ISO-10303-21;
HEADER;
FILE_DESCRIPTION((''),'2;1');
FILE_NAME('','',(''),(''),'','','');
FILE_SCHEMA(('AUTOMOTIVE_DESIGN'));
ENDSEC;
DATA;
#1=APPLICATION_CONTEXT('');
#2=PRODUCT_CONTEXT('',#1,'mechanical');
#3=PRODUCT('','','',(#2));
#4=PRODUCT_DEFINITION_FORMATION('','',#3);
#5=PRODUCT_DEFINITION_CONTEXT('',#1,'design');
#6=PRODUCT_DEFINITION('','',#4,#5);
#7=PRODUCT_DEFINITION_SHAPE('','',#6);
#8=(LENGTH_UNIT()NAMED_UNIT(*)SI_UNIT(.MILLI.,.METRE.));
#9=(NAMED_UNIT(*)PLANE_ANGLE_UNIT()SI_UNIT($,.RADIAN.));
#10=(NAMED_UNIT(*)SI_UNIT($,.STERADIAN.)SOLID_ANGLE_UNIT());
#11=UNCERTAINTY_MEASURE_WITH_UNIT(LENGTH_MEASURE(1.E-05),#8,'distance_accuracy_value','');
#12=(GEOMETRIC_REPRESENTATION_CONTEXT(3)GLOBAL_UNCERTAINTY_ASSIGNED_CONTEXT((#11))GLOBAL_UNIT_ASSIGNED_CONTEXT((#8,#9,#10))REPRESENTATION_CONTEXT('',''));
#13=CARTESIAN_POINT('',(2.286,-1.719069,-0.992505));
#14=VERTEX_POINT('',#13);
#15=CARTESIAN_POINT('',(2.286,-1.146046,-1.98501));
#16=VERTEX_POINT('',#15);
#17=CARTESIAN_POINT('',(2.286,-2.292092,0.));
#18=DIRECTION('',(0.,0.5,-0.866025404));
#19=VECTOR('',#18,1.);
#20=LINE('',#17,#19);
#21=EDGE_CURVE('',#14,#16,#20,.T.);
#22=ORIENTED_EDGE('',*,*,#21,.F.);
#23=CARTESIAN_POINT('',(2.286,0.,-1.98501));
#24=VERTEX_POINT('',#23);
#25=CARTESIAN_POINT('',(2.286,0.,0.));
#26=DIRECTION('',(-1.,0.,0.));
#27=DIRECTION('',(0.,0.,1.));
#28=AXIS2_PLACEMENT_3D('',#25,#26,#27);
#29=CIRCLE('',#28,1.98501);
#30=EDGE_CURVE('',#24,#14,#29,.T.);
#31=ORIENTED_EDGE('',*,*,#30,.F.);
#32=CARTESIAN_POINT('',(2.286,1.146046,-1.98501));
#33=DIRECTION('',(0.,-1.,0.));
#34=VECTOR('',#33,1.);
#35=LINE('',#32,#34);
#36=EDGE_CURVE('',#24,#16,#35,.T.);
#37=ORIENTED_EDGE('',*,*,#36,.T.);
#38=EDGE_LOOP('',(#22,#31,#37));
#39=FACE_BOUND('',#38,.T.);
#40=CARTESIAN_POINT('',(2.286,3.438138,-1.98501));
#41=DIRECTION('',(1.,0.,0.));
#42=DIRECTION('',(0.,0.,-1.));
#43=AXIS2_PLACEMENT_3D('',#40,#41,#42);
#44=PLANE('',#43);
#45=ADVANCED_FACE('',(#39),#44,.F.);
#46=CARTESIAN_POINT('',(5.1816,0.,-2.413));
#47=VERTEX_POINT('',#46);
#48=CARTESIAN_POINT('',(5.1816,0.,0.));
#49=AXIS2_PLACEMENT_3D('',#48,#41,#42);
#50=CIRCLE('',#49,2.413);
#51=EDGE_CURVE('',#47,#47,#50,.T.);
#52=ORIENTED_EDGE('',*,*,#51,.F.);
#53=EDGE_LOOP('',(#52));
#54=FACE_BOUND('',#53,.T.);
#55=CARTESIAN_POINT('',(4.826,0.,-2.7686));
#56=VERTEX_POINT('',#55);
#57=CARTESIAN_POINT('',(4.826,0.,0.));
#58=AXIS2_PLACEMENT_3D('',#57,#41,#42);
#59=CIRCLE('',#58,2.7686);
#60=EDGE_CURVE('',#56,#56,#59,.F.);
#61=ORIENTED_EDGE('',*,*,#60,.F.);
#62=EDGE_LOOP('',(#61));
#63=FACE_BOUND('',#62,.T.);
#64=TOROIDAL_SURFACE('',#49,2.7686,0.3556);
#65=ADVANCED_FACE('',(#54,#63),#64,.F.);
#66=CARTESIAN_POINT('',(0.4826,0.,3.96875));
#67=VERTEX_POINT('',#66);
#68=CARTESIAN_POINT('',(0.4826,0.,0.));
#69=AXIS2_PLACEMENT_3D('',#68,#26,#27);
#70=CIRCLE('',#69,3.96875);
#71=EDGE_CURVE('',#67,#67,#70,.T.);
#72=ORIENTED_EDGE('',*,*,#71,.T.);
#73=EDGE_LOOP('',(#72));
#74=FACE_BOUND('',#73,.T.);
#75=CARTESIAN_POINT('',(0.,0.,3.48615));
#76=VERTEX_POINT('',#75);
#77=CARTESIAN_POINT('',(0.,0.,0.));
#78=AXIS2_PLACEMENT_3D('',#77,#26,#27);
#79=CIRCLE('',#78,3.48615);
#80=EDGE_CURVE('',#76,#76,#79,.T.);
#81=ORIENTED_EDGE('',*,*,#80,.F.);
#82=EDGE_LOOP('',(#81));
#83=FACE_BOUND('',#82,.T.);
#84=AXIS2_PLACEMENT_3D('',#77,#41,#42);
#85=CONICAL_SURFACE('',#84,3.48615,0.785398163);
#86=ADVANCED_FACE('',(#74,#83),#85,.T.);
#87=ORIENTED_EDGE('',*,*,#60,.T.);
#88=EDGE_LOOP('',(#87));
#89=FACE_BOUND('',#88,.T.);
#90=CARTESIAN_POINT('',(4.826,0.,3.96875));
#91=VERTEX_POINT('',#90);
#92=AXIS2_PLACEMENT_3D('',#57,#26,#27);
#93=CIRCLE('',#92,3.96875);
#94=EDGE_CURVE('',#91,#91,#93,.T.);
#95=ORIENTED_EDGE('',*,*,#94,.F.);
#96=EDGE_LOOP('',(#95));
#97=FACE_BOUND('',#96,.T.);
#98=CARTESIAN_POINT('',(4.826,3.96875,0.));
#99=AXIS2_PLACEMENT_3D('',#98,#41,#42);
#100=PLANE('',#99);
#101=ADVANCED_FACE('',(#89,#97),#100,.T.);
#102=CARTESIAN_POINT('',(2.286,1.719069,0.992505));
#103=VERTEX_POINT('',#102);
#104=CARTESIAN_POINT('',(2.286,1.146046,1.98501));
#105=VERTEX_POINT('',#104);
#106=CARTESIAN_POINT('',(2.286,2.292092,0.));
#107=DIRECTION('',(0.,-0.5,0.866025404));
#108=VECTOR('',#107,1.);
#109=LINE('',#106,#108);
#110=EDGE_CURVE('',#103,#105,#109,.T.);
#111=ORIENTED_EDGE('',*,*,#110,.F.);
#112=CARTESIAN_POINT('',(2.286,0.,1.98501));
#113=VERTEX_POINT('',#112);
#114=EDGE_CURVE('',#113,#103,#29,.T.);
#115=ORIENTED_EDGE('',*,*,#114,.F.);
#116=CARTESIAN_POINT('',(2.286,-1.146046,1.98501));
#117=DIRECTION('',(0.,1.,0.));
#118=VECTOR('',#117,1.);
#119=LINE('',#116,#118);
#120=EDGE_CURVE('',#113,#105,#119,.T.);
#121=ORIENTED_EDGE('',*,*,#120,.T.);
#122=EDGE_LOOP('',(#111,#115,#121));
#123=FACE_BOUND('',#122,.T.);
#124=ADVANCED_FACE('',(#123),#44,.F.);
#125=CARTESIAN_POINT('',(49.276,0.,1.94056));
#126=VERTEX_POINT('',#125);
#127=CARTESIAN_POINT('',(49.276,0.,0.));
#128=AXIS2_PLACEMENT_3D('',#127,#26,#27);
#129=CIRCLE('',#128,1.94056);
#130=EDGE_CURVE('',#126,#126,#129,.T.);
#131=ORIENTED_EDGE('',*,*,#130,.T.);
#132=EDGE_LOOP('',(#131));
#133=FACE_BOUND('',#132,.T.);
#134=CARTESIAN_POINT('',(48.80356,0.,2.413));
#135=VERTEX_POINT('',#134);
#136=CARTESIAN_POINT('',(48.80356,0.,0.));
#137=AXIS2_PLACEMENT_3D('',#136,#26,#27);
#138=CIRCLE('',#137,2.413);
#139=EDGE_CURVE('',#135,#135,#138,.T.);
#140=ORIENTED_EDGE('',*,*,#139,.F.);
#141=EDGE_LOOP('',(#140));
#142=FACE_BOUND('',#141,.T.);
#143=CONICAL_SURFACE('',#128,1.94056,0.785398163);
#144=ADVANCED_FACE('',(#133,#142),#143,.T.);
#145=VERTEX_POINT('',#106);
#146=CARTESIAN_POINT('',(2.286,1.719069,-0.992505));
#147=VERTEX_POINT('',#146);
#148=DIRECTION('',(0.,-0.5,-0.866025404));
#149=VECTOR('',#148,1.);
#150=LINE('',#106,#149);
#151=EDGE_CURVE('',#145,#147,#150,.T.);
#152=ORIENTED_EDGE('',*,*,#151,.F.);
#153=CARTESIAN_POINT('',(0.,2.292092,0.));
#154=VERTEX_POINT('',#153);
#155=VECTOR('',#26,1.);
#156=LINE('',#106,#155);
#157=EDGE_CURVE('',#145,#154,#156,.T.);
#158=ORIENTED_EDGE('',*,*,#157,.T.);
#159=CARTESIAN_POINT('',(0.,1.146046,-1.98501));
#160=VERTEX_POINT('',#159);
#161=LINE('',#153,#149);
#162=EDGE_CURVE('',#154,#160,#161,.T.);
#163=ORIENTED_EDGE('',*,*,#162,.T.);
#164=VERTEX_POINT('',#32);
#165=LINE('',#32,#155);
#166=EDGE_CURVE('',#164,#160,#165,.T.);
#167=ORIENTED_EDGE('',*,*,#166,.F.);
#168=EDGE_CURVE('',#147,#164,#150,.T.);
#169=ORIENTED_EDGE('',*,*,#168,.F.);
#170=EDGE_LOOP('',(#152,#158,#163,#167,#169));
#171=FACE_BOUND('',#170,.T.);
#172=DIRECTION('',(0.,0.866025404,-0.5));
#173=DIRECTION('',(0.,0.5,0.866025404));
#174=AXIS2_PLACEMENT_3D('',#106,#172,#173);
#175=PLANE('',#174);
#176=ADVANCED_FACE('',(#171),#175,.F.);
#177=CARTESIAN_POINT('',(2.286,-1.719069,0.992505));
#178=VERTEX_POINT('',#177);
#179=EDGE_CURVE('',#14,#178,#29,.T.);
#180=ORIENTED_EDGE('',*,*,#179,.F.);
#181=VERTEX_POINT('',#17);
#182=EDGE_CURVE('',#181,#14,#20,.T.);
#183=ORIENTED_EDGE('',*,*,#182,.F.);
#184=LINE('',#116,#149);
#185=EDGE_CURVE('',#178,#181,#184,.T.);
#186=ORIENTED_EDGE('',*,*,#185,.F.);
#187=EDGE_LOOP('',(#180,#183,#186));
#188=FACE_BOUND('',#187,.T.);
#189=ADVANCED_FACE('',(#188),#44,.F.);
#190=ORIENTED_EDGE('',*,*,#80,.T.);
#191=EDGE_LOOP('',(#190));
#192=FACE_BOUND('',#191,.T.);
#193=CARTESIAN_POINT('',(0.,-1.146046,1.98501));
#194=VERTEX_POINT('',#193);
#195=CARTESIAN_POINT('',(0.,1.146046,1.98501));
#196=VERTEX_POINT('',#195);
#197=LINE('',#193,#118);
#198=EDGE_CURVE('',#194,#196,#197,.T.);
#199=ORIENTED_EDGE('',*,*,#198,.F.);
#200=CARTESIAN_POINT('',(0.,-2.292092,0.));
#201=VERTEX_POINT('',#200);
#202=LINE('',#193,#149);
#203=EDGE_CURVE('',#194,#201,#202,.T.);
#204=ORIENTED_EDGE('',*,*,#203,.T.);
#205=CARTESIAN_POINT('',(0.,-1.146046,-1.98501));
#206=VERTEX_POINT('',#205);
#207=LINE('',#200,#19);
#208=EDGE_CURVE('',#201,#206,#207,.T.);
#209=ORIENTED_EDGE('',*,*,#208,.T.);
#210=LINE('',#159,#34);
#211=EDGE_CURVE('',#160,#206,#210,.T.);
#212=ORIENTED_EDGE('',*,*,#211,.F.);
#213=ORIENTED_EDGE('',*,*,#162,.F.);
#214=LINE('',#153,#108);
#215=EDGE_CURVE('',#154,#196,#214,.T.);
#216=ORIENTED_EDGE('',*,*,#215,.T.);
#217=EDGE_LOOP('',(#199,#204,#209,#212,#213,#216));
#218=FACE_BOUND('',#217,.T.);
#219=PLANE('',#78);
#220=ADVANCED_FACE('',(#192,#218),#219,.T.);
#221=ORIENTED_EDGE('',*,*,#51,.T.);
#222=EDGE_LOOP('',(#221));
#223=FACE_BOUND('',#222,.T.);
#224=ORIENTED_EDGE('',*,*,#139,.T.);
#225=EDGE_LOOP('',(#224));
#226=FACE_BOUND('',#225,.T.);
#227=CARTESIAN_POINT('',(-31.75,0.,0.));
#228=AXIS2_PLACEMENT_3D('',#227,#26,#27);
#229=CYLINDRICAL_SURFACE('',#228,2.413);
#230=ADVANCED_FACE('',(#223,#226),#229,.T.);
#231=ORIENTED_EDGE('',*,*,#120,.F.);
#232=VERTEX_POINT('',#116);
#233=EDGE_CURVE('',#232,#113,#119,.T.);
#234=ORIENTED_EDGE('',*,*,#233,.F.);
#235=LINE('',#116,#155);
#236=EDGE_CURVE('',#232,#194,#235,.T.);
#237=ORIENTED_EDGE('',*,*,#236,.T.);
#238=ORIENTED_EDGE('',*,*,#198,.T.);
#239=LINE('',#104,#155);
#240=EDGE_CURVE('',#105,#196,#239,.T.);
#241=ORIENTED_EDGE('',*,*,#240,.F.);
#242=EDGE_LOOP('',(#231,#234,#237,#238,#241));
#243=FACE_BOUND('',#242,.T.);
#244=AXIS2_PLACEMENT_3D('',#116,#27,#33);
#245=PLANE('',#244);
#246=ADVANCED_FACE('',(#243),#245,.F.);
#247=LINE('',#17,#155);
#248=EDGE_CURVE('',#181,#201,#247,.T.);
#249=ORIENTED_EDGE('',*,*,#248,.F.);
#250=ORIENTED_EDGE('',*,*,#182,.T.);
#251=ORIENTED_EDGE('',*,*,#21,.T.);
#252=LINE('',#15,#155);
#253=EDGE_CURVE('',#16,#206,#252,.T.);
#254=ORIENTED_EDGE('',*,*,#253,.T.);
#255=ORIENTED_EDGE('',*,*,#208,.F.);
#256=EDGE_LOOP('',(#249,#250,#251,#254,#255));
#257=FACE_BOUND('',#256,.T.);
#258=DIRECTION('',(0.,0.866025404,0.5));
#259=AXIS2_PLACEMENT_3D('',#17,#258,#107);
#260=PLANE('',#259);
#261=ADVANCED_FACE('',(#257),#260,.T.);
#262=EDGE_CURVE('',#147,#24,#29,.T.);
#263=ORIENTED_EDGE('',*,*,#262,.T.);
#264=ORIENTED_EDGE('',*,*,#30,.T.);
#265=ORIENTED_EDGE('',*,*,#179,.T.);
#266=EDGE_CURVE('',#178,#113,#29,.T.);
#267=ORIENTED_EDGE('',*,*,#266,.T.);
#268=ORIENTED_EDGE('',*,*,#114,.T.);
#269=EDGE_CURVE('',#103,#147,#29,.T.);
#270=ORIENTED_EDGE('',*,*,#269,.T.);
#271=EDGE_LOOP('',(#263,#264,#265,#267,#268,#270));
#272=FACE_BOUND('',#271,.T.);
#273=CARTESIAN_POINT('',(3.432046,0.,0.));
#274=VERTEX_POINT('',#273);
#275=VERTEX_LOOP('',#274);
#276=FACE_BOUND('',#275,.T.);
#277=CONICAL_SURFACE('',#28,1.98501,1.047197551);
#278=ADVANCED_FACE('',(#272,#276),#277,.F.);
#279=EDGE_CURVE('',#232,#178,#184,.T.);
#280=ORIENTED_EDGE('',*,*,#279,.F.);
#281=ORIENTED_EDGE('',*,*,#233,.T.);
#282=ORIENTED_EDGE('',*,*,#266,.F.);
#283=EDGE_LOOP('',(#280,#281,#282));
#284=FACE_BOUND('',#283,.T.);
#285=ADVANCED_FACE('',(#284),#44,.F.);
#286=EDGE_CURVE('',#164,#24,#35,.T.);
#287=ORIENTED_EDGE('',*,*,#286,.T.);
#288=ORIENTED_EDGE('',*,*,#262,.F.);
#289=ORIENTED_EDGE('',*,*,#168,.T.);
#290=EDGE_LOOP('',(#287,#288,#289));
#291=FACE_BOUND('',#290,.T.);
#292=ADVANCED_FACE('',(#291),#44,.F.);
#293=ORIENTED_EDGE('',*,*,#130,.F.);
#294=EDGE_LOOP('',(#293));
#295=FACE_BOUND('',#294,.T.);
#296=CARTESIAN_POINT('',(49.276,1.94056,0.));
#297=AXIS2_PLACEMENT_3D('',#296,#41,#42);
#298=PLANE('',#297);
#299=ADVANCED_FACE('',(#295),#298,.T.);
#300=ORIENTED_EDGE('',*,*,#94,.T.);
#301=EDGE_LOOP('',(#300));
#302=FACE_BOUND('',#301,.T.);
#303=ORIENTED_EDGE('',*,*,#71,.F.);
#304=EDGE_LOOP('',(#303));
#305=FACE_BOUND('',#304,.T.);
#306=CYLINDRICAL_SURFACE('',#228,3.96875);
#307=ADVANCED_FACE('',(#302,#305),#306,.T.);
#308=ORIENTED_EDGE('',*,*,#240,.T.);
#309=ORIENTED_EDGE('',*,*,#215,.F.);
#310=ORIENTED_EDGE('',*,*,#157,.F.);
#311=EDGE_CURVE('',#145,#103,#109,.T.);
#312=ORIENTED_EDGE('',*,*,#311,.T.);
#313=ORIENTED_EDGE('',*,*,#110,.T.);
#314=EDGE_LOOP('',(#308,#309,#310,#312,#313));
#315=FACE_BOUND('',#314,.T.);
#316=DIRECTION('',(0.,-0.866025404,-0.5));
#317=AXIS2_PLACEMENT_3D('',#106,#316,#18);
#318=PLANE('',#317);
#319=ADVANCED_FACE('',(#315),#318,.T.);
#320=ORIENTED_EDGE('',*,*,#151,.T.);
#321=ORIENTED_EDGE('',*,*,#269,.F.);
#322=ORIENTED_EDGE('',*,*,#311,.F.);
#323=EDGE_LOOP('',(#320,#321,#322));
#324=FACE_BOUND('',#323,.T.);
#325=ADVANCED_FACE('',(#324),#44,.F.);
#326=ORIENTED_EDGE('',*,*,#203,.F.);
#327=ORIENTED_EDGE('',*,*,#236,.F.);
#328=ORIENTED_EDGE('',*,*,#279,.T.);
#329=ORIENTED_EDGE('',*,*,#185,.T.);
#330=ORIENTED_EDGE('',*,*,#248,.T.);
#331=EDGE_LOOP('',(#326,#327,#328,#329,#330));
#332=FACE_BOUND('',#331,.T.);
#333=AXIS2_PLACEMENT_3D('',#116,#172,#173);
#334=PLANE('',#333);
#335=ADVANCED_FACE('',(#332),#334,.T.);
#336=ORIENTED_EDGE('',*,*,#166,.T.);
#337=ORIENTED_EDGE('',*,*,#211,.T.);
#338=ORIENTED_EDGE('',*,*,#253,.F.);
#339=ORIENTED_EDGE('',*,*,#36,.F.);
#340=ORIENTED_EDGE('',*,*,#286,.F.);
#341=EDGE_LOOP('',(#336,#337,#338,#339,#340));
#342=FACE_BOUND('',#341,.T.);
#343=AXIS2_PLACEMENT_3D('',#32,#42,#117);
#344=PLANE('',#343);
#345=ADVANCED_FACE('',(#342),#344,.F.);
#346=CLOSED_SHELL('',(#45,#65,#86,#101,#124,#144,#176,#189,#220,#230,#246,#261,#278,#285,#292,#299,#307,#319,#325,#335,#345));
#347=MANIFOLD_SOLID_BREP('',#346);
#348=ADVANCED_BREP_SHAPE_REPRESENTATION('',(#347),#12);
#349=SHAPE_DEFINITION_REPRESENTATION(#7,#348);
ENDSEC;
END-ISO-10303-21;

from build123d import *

# Parameters (mm, degrees)
FILLET1_R   = 0.3556
HEX_2_DEPTH = 2.286


with BuildPart() as part:
    # BodySke → Base-Revolve (revolve)
    with BuildSketch(Plane.XY, mode=Mode.PRIVATE) as base_revolve_sk:
        Polygon((0, 0), (0, 3.48615), (0.4826, 3.96875), (4.826, 3.96875), (4.826, 2.413), (48.80356, 2.413), (49.276, 1.94056), (49.276, 0), align=None)
    revolve(base_revolve_sk.sketch.rotate(Axis((-31.75, 0, 0), (1, 0, 0)), 90), axis=Axis((-31.75, 0, 0), (1, 0, 0)))  # turned: the seam where the file's is

    # Fillet1
    fillet1_edges = [part.edges().sort_by_distance(p)[0] for p in [
        (4.826, 0, -2.413),
    ]]
    fillet(fillet1_edges, radius=FILLET1_R)

    # Sketch2 → Hex-PreBroach (revolve, cut)
    with BuildSketch(Plane.XY, mode=Mode.PRIVATE) as hex_prebroach_sk:
        Polygon((0, 1.98501), (2.286, 1.98501), (3.432046058, 0), (0, 0), align=None)
    revolve(hex_prebroach_sk.sketch.rotate(Axis((0, 0, 0), (1, 0, 0)), 90), axis=Axis((0, 0, 0), (1, 0, 0)), mode=Mode.SUBTRACT)  # turned: the seam where the file's is

    # Sketch3 → Hex 2 (cut)
    with BuildSketch(Plane(origin=(0, 0, 0), x_dir=(0, 0.5, 0.866025404), z_dir=(-1, 0, 0))):
        Polygon((1.146046058, 1.98501), (-1.146046058, 1.98501), (-2.292092116, 0), (-1.146046058, -1.98501), (1.146046058, -1.98501), (2.292092116, 0), align=None)
    extrude(amount=-HEX_2_DEPTH, mode=Mode.SUBTRACT)


solid = part.part
